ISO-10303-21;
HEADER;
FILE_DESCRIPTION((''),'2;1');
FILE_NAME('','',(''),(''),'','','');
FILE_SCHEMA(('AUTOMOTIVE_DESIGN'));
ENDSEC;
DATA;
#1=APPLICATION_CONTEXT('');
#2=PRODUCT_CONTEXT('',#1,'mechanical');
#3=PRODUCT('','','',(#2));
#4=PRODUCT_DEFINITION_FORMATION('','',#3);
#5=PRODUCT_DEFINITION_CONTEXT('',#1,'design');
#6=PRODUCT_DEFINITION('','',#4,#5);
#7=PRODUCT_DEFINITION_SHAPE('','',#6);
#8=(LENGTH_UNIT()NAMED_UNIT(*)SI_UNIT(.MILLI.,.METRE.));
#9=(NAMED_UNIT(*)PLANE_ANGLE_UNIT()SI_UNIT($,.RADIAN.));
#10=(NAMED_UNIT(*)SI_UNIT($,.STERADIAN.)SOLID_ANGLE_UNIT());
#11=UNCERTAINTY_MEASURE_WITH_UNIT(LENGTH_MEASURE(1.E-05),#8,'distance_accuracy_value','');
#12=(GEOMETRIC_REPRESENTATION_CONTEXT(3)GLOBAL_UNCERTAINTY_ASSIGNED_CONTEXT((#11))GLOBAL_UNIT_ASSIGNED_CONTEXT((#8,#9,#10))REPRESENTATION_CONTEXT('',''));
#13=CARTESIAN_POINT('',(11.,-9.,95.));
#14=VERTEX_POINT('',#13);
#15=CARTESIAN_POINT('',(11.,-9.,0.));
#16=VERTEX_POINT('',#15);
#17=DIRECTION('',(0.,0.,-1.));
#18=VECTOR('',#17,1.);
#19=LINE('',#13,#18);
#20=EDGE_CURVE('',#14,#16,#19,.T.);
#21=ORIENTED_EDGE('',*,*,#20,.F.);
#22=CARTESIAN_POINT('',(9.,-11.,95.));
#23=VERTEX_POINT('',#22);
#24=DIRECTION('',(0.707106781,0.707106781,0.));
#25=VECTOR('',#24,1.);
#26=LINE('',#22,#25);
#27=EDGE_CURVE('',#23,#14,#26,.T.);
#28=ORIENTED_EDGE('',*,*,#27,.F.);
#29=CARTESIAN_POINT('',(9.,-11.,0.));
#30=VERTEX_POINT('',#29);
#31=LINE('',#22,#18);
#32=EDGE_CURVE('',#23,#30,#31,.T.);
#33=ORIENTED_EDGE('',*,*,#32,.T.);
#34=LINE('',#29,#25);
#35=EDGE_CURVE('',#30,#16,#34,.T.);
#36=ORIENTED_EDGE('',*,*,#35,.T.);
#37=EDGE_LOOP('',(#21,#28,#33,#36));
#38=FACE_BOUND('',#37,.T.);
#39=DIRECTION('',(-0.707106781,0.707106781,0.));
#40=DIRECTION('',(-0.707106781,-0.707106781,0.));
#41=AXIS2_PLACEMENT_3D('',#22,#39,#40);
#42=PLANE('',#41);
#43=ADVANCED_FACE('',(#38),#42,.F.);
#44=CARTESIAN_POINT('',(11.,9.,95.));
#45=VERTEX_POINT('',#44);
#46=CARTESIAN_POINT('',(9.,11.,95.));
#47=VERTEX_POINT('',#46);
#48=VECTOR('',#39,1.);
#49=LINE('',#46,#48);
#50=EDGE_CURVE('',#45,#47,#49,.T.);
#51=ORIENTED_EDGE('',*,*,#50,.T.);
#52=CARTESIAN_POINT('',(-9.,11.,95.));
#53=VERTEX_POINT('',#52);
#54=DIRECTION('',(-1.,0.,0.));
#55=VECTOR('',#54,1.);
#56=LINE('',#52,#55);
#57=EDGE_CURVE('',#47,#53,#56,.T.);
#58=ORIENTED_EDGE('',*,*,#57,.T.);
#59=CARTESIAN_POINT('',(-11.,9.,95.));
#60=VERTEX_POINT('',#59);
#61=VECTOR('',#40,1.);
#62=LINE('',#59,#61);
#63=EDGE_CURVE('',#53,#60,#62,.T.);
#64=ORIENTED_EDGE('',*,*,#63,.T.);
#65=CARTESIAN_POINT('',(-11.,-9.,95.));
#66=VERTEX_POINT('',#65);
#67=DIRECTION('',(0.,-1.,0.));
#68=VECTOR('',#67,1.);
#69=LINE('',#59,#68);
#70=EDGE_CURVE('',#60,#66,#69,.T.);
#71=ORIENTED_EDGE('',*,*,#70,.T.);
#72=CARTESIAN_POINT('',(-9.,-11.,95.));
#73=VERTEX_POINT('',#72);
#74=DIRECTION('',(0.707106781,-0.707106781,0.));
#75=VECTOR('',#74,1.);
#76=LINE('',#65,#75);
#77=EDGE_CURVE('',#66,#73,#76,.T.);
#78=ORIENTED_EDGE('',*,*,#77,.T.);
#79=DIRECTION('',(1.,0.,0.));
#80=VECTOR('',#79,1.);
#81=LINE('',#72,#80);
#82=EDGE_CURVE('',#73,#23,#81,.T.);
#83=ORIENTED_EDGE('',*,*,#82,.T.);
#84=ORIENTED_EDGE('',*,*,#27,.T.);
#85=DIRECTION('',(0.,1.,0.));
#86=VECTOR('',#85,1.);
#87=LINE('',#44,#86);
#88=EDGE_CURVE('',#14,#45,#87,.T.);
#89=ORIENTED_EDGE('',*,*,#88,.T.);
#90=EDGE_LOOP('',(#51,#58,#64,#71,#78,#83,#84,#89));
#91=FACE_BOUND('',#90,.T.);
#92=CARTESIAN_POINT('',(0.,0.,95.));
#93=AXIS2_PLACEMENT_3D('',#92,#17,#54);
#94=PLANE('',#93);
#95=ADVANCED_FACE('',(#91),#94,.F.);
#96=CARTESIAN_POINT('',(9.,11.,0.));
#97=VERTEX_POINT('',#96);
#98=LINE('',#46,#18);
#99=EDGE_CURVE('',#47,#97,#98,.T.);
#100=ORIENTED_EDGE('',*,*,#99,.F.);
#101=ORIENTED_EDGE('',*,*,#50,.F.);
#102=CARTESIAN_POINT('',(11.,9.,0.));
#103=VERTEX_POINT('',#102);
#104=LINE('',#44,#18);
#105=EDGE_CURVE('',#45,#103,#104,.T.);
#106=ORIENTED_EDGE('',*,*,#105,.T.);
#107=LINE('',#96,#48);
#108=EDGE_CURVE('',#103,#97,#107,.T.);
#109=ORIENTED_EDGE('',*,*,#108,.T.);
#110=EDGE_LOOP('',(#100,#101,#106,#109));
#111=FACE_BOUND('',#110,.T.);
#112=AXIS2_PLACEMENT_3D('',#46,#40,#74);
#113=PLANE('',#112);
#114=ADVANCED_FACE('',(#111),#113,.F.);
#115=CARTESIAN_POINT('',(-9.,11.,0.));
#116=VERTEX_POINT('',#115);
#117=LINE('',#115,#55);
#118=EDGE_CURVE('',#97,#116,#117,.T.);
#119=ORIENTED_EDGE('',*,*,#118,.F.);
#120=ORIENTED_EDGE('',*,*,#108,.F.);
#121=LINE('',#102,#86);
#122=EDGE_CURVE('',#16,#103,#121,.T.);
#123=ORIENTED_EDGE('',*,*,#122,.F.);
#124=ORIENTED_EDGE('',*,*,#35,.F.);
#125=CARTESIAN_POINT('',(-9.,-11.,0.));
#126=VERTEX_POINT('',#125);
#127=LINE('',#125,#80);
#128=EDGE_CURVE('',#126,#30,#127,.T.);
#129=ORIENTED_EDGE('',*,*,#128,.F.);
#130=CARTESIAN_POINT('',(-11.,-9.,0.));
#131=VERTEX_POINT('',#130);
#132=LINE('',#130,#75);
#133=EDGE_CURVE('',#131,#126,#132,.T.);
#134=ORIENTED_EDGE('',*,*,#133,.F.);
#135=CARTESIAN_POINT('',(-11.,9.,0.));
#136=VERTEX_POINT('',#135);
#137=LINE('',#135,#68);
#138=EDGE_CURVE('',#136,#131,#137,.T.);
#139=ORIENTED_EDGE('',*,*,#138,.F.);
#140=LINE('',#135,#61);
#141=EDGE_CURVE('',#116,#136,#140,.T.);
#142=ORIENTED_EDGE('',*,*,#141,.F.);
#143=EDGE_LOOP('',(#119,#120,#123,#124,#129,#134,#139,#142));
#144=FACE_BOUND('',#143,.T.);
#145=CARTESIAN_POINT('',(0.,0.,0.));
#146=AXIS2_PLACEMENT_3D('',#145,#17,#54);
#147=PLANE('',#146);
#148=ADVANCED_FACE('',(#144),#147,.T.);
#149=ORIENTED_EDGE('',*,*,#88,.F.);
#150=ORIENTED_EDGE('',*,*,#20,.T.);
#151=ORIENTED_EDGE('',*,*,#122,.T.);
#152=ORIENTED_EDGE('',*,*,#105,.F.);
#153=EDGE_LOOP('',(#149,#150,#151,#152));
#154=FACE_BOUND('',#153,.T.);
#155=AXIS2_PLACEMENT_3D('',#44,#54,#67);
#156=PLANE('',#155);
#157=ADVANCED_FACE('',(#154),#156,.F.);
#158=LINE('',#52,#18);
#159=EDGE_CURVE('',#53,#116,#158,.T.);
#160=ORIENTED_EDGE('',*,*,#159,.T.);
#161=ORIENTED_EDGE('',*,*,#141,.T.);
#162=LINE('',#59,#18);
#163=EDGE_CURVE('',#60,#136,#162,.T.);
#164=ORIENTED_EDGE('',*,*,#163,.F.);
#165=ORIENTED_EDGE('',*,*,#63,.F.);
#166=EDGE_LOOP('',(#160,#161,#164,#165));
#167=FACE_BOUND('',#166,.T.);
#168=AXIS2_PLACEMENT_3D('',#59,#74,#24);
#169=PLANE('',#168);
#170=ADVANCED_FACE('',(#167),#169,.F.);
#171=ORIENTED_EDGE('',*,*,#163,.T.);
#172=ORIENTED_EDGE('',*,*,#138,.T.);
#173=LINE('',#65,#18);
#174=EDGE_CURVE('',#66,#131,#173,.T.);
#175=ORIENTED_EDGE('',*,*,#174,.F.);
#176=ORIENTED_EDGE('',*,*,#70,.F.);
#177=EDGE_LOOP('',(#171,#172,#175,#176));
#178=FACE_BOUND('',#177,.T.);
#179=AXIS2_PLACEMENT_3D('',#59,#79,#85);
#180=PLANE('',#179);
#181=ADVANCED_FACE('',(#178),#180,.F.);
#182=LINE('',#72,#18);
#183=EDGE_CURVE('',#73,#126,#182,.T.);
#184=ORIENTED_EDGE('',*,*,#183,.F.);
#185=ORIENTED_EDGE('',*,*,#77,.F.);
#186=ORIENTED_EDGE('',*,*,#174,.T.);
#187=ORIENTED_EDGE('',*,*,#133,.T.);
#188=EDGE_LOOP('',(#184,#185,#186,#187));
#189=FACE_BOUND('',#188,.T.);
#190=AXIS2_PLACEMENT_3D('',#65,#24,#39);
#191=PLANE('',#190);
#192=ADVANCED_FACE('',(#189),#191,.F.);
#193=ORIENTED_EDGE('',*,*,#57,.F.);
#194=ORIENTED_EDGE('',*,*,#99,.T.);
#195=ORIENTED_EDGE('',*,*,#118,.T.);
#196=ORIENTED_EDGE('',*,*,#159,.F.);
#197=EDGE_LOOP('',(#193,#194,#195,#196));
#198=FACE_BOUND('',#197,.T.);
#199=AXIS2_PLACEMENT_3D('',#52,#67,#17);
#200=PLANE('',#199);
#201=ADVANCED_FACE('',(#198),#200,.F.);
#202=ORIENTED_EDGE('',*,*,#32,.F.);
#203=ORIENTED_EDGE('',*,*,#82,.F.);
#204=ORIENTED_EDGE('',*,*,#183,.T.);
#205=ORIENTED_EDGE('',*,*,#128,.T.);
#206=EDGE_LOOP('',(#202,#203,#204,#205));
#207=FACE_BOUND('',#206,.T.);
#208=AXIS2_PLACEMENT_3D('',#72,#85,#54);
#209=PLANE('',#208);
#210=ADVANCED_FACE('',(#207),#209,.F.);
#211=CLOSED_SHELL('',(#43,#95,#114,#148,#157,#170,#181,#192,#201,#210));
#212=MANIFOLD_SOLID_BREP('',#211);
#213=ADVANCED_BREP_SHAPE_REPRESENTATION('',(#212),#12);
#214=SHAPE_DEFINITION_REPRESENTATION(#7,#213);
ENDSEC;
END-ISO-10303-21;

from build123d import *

# Parameters (mm, degrees)
BOSS_EXTRU_1_DEPTH = 95


with BuildPart() as part:
    # Esquisse1 → Boss.-Extru.1 (new body)
    with BuildSketch(Plane.XY):
        Polygon((-11, 9), (-9, 11), (9, 11), (11, 9), (11, -9), (9, -11), (-9, -11), (-11, -9), align=None)
    extrude(amount=BOSS_EXTRU_1_DEPTH)


solid = part.part
